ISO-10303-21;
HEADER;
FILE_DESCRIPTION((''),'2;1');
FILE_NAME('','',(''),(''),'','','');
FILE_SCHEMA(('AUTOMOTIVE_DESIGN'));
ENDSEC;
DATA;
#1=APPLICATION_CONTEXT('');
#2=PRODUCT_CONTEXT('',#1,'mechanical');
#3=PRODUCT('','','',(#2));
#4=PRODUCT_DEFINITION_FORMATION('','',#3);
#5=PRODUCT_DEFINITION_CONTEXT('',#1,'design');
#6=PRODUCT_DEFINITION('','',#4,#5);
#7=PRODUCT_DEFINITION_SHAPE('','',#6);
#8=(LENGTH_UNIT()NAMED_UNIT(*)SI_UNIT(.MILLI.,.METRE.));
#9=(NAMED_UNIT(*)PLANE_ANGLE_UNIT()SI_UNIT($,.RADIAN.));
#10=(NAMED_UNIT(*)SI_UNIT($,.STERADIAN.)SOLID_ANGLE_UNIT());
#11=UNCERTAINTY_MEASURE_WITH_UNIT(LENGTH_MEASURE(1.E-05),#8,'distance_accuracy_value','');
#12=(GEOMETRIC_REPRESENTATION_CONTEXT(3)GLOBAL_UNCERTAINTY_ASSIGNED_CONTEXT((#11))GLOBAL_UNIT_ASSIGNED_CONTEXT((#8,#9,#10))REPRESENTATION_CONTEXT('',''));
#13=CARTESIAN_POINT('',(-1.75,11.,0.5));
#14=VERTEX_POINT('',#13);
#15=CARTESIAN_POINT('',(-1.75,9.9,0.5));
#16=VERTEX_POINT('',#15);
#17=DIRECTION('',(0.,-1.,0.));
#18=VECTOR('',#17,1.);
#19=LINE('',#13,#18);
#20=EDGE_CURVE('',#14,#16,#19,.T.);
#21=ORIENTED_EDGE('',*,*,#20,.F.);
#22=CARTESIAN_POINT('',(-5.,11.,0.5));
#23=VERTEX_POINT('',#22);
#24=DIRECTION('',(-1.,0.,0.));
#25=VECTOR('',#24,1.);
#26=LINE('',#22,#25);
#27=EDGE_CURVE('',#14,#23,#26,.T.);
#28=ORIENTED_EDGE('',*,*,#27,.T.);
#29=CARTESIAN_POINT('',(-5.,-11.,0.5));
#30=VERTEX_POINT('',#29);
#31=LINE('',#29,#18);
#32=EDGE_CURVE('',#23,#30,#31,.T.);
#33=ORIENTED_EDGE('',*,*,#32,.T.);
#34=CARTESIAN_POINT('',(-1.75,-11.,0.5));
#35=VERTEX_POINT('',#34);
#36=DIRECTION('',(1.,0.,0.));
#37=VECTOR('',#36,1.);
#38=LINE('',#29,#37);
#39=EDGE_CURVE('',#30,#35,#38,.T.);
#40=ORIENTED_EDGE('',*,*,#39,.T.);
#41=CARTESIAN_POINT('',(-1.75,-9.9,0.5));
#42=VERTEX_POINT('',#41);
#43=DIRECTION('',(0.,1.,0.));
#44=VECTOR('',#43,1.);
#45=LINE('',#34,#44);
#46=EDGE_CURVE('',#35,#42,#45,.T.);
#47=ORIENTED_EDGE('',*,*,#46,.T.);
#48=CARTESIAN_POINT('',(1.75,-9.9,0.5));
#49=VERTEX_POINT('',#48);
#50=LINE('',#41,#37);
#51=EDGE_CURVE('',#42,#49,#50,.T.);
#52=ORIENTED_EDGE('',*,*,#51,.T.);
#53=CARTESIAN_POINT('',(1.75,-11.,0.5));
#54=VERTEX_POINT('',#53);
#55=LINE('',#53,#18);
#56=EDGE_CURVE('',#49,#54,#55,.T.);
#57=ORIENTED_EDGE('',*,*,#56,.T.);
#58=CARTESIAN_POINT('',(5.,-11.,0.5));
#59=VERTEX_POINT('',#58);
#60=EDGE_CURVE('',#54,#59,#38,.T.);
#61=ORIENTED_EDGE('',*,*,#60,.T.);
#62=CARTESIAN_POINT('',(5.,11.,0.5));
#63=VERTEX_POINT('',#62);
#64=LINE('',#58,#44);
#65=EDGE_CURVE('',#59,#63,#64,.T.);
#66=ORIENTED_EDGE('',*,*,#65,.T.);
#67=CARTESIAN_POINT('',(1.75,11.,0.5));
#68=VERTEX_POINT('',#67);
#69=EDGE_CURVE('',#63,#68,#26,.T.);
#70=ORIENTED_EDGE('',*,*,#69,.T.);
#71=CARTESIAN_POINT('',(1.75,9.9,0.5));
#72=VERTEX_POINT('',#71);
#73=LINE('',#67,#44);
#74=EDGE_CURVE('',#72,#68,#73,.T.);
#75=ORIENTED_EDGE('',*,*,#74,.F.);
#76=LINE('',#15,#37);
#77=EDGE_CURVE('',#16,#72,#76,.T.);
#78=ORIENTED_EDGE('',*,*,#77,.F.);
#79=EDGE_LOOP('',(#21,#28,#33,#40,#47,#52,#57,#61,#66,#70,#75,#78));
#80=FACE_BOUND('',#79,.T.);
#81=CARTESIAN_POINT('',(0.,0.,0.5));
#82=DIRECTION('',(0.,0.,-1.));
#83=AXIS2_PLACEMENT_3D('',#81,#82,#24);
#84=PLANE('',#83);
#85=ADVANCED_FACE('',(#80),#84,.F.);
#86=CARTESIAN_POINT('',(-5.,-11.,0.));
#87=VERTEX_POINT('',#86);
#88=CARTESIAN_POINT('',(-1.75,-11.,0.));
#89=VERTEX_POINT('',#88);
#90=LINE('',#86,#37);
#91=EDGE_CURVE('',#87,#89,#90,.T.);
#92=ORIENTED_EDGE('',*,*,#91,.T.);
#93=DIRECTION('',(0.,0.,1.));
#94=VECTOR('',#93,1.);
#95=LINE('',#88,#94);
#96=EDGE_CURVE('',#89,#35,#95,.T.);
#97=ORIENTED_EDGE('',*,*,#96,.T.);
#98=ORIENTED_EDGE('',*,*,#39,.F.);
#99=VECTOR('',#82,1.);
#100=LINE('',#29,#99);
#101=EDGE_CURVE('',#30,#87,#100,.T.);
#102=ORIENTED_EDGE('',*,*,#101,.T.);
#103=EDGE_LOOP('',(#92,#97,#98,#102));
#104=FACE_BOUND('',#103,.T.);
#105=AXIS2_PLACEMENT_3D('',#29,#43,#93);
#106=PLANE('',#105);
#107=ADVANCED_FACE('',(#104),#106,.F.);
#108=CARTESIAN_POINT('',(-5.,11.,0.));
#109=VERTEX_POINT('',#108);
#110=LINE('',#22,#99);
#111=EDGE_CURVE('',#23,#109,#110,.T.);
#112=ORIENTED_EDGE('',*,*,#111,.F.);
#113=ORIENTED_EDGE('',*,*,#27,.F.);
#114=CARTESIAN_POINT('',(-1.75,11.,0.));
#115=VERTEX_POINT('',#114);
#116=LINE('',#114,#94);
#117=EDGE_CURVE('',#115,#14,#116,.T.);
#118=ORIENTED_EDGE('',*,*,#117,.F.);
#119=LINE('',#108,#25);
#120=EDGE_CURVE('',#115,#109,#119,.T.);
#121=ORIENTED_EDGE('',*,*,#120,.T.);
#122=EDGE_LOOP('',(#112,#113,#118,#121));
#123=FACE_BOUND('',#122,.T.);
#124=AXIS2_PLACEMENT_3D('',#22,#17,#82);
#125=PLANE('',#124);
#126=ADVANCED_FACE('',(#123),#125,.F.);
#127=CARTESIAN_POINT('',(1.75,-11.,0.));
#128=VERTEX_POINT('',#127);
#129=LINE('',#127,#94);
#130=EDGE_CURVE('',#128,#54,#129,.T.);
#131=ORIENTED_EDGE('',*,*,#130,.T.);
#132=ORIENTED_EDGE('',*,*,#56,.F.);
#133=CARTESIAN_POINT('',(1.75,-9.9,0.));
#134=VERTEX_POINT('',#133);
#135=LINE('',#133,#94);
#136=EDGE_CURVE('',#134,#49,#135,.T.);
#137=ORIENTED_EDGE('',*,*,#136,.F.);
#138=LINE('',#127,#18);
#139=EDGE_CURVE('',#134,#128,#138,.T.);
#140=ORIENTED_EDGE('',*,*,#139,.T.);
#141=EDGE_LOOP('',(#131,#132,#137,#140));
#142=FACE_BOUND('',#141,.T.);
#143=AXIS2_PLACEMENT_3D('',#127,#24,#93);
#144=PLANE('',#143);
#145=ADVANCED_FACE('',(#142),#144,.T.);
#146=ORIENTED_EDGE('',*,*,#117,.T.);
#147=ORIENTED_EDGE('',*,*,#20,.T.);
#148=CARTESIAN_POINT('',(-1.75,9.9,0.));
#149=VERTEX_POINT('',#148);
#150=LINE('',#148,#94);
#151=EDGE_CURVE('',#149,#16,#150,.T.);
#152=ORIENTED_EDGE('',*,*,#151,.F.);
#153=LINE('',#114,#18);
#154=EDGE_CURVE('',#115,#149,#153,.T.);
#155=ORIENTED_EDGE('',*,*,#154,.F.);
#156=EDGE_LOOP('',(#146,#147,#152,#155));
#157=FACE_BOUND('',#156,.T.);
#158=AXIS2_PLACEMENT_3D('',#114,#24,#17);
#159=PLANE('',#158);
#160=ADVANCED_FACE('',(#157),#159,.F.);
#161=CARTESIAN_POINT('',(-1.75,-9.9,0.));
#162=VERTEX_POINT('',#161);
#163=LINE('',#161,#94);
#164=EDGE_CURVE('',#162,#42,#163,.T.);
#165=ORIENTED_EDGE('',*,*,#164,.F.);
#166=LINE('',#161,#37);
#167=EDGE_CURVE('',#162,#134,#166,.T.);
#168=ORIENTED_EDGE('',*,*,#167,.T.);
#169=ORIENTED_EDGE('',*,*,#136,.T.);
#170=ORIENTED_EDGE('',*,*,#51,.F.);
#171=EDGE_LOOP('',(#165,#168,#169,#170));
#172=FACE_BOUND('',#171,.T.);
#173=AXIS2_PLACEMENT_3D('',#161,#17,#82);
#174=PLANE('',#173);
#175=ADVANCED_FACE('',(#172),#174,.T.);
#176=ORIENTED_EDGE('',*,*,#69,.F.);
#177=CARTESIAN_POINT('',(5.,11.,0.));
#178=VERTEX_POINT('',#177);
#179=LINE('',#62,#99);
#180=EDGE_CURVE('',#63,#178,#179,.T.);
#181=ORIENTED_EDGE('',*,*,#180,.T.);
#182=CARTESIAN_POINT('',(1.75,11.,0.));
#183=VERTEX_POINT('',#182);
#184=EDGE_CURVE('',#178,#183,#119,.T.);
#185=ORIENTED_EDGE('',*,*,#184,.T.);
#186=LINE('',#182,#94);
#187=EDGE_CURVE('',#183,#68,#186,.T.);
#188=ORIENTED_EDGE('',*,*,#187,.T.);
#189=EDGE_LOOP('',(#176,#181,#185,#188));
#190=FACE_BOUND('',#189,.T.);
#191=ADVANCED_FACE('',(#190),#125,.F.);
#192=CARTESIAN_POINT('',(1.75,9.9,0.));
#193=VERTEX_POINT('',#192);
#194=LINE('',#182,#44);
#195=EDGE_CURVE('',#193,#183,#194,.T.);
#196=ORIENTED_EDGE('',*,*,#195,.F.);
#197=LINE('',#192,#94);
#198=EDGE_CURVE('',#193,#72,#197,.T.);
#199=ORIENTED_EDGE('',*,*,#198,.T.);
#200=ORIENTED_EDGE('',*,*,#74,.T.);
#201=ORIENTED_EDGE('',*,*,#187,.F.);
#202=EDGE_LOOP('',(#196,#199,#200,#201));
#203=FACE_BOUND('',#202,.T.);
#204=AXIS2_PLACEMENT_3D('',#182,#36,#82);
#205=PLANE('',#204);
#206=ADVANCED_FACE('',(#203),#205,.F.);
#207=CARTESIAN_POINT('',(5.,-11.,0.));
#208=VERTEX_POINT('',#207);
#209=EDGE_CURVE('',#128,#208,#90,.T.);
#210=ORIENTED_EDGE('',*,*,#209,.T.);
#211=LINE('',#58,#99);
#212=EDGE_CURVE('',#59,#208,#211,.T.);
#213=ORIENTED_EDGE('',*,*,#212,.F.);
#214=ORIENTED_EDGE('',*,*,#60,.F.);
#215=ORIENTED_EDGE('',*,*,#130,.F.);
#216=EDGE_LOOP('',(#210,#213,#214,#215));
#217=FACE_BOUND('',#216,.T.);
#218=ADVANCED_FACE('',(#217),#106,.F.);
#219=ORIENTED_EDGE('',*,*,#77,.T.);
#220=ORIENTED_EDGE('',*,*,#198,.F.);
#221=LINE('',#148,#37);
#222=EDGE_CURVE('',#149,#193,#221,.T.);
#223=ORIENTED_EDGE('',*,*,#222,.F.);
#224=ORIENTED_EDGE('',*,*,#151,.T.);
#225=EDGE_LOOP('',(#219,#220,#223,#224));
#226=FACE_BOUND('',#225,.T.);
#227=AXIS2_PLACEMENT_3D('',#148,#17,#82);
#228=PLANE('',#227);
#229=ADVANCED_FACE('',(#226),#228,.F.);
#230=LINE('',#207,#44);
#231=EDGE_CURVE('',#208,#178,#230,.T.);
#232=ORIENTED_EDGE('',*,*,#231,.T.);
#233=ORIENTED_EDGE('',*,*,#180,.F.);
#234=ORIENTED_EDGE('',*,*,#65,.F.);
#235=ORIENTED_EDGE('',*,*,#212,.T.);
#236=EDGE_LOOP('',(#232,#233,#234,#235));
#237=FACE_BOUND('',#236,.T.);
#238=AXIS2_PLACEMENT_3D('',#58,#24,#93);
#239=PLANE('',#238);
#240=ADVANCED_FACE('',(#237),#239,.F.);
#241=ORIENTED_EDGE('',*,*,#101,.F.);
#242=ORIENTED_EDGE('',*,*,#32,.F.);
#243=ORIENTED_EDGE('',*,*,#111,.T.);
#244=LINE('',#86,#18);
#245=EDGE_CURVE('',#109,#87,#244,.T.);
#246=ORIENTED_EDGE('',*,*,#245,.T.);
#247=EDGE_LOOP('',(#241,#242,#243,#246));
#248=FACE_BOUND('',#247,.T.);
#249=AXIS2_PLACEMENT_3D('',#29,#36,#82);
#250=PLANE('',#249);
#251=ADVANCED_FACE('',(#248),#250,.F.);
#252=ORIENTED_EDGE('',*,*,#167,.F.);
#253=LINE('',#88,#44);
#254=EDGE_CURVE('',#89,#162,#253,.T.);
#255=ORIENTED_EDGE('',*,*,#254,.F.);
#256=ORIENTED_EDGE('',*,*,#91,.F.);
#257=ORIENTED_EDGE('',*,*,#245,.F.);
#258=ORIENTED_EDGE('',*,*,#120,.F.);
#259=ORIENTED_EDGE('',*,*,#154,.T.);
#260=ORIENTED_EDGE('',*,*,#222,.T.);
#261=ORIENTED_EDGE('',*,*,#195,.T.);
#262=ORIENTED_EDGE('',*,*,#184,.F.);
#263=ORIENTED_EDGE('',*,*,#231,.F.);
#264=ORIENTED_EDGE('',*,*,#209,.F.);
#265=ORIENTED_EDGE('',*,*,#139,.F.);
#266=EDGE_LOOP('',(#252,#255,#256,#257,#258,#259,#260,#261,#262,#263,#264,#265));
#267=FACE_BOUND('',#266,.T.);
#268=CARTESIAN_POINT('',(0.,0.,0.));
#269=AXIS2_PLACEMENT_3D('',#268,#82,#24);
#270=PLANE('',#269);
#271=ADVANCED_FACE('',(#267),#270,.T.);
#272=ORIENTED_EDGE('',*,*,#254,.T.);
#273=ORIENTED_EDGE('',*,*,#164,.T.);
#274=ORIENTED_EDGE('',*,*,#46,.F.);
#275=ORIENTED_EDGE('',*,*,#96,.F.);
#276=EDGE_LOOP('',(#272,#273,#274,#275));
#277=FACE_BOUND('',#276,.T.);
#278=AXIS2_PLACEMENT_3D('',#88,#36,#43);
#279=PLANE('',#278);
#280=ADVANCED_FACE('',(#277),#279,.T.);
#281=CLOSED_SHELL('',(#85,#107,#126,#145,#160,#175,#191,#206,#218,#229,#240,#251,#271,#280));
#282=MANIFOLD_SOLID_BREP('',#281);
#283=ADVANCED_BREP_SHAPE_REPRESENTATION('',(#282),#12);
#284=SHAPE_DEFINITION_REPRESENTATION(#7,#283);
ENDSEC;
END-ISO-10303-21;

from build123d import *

# Parameters (mm, degrees)
SKETCH2_W           = 10
SKETCH2_H           = 22
BOSS_EXTRUDE1_DEPTH = 0.5
SKETCH4_W           = 3.5
SKETCH4_H           = 1.1
CUT_EXTRUDE1_DEPTH  = 13.093386622


with BuildPart() as part:
    # Sketch2 → Boss-Extrude1 (new body)
    with BuildSketch(Plane.XY):
        Rectangle(SKETCH2_W, SKETCH2_H)
    extrude(amount=BOSS_EXTRUDE1_DEPTH)

    # Sketch4 → Cut-Extrude1 (cut, through all)
    with BuildSketch(Plane.XY.offset(0.5)):
        with Locations((0, 10.45)):
            Rectangle(SKETCH4_W, SKETCH4_H)
    cut_extrude1 = extrude(amount=-CUT_EXTRUDE1_DEPTH, mode=Mode.SUBTRACT)

    # Mirror2: Cut-Extrude1 across plane
    add(cut_extrude1.mirror(Plane.ZX), mode=Mode.SUBTRACT)


solid = part.part
